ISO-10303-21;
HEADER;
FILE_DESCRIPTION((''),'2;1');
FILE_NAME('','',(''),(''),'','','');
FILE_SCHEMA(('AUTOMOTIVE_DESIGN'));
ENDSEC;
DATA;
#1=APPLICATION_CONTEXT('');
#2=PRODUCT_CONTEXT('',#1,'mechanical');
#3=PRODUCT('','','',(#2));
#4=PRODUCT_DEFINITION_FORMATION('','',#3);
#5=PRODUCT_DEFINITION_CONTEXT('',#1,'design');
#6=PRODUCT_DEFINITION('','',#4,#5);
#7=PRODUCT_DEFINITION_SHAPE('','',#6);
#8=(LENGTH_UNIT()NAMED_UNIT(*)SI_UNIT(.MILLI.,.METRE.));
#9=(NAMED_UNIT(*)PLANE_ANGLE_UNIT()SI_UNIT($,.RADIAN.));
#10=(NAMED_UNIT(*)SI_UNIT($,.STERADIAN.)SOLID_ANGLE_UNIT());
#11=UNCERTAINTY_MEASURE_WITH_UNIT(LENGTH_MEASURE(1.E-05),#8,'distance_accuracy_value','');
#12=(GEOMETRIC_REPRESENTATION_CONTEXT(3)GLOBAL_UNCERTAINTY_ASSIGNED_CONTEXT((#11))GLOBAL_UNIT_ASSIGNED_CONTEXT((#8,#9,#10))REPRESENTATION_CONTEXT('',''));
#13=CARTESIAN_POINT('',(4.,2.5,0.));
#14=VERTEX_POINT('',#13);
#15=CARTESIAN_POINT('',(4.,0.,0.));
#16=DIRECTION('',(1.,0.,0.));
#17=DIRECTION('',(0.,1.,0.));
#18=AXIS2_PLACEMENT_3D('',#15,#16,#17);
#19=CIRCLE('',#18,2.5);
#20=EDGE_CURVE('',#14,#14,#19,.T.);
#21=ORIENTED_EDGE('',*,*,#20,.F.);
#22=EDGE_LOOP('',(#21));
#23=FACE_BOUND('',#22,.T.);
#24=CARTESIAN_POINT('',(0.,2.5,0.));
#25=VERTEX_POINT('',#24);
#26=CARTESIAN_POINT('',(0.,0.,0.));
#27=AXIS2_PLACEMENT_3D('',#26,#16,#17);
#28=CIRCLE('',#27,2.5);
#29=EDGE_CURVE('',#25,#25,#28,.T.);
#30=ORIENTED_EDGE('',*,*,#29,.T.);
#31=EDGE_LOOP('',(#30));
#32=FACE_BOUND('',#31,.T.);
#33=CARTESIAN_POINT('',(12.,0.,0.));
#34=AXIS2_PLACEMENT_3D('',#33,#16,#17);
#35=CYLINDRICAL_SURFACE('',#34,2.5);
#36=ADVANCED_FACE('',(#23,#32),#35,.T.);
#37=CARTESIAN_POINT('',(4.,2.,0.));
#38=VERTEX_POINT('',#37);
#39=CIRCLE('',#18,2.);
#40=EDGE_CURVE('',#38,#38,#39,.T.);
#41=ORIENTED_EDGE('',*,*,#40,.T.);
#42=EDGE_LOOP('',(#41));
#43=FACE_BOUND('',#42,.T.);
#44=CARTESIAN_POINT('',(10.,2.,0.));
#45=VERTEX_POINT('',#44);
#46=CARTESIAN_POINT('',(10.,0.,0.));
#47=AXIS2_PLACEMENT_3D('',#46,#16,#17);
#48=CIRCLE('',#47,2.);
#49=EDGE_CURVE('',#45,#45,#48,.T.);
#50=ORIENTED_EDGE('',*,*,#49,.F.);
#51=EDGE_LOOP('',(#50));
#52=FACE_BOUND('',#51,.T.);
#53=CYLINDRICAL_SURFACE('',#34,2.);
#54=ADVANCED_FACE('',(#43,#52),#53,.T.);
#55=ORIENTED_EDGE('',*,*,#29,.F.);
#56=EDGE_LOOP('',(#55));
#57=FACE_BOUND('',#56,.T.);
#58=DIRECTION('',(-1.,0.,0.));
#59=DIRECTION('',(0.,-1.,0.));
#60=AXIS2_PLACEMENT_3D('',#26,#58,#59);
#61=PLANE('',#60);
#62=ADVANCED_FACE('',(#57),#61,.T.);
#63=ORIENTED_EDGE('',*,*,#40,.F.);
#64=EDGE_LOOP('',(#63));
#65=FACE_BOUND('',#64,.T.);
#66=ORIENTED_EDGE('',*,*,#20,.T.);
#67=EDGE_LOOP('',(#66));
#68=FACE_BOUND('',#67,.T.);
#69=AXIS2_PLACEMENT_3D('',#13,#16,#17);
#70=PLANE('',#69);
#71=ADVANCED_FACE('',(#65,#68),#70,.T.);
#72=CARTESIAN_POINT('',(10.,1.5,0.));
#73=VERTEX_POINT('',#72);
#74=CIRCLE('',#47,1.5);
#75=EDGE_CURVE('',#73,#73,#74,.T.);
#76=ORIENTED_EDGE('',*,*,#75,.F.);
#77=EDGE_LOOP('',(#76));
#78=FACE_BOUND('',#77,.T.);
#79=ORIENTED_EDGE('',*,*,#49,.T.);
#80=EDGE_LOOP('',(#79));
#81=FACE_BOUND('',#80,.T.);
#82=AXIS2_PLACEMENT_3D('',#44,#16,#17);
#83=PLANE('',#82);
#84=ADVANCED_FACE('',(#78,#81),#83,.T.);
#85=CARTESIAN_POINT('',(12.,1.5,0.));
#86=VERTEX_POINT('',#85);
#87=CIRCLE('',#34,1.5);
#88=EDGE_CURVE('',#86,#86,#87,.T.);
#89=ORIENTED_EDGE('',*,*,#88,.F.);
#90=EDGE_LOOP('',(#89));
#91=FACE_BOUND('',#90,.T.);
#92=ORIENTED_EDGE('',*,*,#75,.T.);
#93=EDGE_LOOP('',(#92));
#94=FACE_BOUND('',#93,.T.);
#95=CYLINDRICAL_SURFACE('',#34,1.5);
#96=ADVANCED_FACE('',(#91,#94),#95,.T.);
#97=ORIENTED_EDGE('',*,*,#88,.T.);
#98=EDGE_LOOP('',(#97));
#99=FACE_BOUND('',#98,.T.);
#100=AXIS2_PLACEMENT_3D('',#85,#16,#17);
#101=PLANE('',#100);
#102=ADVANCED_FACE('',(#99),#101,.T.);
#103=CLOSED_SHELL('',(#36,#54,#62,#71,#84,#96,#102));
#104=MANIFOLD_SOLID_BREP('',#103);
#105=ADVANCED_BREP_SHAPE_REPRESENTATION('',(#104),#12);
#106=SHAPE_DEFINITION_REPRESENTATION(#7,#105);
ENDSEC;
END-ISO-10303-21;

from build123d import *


with BuildPart() as part:
    # Esquisse1 → Révolution1 (revolve)
    with BuildSketch(Plane.XY):
        Polygon((0, 0), (0, 2.5), (4, 2.5), (4, 2), (10, 2), (10, 1.5), (12, 1.5), (12, 0), align=None)
    revolve(axis=Axis((12, 0, 0), (-1, 0, 0)))


solid = part.part
